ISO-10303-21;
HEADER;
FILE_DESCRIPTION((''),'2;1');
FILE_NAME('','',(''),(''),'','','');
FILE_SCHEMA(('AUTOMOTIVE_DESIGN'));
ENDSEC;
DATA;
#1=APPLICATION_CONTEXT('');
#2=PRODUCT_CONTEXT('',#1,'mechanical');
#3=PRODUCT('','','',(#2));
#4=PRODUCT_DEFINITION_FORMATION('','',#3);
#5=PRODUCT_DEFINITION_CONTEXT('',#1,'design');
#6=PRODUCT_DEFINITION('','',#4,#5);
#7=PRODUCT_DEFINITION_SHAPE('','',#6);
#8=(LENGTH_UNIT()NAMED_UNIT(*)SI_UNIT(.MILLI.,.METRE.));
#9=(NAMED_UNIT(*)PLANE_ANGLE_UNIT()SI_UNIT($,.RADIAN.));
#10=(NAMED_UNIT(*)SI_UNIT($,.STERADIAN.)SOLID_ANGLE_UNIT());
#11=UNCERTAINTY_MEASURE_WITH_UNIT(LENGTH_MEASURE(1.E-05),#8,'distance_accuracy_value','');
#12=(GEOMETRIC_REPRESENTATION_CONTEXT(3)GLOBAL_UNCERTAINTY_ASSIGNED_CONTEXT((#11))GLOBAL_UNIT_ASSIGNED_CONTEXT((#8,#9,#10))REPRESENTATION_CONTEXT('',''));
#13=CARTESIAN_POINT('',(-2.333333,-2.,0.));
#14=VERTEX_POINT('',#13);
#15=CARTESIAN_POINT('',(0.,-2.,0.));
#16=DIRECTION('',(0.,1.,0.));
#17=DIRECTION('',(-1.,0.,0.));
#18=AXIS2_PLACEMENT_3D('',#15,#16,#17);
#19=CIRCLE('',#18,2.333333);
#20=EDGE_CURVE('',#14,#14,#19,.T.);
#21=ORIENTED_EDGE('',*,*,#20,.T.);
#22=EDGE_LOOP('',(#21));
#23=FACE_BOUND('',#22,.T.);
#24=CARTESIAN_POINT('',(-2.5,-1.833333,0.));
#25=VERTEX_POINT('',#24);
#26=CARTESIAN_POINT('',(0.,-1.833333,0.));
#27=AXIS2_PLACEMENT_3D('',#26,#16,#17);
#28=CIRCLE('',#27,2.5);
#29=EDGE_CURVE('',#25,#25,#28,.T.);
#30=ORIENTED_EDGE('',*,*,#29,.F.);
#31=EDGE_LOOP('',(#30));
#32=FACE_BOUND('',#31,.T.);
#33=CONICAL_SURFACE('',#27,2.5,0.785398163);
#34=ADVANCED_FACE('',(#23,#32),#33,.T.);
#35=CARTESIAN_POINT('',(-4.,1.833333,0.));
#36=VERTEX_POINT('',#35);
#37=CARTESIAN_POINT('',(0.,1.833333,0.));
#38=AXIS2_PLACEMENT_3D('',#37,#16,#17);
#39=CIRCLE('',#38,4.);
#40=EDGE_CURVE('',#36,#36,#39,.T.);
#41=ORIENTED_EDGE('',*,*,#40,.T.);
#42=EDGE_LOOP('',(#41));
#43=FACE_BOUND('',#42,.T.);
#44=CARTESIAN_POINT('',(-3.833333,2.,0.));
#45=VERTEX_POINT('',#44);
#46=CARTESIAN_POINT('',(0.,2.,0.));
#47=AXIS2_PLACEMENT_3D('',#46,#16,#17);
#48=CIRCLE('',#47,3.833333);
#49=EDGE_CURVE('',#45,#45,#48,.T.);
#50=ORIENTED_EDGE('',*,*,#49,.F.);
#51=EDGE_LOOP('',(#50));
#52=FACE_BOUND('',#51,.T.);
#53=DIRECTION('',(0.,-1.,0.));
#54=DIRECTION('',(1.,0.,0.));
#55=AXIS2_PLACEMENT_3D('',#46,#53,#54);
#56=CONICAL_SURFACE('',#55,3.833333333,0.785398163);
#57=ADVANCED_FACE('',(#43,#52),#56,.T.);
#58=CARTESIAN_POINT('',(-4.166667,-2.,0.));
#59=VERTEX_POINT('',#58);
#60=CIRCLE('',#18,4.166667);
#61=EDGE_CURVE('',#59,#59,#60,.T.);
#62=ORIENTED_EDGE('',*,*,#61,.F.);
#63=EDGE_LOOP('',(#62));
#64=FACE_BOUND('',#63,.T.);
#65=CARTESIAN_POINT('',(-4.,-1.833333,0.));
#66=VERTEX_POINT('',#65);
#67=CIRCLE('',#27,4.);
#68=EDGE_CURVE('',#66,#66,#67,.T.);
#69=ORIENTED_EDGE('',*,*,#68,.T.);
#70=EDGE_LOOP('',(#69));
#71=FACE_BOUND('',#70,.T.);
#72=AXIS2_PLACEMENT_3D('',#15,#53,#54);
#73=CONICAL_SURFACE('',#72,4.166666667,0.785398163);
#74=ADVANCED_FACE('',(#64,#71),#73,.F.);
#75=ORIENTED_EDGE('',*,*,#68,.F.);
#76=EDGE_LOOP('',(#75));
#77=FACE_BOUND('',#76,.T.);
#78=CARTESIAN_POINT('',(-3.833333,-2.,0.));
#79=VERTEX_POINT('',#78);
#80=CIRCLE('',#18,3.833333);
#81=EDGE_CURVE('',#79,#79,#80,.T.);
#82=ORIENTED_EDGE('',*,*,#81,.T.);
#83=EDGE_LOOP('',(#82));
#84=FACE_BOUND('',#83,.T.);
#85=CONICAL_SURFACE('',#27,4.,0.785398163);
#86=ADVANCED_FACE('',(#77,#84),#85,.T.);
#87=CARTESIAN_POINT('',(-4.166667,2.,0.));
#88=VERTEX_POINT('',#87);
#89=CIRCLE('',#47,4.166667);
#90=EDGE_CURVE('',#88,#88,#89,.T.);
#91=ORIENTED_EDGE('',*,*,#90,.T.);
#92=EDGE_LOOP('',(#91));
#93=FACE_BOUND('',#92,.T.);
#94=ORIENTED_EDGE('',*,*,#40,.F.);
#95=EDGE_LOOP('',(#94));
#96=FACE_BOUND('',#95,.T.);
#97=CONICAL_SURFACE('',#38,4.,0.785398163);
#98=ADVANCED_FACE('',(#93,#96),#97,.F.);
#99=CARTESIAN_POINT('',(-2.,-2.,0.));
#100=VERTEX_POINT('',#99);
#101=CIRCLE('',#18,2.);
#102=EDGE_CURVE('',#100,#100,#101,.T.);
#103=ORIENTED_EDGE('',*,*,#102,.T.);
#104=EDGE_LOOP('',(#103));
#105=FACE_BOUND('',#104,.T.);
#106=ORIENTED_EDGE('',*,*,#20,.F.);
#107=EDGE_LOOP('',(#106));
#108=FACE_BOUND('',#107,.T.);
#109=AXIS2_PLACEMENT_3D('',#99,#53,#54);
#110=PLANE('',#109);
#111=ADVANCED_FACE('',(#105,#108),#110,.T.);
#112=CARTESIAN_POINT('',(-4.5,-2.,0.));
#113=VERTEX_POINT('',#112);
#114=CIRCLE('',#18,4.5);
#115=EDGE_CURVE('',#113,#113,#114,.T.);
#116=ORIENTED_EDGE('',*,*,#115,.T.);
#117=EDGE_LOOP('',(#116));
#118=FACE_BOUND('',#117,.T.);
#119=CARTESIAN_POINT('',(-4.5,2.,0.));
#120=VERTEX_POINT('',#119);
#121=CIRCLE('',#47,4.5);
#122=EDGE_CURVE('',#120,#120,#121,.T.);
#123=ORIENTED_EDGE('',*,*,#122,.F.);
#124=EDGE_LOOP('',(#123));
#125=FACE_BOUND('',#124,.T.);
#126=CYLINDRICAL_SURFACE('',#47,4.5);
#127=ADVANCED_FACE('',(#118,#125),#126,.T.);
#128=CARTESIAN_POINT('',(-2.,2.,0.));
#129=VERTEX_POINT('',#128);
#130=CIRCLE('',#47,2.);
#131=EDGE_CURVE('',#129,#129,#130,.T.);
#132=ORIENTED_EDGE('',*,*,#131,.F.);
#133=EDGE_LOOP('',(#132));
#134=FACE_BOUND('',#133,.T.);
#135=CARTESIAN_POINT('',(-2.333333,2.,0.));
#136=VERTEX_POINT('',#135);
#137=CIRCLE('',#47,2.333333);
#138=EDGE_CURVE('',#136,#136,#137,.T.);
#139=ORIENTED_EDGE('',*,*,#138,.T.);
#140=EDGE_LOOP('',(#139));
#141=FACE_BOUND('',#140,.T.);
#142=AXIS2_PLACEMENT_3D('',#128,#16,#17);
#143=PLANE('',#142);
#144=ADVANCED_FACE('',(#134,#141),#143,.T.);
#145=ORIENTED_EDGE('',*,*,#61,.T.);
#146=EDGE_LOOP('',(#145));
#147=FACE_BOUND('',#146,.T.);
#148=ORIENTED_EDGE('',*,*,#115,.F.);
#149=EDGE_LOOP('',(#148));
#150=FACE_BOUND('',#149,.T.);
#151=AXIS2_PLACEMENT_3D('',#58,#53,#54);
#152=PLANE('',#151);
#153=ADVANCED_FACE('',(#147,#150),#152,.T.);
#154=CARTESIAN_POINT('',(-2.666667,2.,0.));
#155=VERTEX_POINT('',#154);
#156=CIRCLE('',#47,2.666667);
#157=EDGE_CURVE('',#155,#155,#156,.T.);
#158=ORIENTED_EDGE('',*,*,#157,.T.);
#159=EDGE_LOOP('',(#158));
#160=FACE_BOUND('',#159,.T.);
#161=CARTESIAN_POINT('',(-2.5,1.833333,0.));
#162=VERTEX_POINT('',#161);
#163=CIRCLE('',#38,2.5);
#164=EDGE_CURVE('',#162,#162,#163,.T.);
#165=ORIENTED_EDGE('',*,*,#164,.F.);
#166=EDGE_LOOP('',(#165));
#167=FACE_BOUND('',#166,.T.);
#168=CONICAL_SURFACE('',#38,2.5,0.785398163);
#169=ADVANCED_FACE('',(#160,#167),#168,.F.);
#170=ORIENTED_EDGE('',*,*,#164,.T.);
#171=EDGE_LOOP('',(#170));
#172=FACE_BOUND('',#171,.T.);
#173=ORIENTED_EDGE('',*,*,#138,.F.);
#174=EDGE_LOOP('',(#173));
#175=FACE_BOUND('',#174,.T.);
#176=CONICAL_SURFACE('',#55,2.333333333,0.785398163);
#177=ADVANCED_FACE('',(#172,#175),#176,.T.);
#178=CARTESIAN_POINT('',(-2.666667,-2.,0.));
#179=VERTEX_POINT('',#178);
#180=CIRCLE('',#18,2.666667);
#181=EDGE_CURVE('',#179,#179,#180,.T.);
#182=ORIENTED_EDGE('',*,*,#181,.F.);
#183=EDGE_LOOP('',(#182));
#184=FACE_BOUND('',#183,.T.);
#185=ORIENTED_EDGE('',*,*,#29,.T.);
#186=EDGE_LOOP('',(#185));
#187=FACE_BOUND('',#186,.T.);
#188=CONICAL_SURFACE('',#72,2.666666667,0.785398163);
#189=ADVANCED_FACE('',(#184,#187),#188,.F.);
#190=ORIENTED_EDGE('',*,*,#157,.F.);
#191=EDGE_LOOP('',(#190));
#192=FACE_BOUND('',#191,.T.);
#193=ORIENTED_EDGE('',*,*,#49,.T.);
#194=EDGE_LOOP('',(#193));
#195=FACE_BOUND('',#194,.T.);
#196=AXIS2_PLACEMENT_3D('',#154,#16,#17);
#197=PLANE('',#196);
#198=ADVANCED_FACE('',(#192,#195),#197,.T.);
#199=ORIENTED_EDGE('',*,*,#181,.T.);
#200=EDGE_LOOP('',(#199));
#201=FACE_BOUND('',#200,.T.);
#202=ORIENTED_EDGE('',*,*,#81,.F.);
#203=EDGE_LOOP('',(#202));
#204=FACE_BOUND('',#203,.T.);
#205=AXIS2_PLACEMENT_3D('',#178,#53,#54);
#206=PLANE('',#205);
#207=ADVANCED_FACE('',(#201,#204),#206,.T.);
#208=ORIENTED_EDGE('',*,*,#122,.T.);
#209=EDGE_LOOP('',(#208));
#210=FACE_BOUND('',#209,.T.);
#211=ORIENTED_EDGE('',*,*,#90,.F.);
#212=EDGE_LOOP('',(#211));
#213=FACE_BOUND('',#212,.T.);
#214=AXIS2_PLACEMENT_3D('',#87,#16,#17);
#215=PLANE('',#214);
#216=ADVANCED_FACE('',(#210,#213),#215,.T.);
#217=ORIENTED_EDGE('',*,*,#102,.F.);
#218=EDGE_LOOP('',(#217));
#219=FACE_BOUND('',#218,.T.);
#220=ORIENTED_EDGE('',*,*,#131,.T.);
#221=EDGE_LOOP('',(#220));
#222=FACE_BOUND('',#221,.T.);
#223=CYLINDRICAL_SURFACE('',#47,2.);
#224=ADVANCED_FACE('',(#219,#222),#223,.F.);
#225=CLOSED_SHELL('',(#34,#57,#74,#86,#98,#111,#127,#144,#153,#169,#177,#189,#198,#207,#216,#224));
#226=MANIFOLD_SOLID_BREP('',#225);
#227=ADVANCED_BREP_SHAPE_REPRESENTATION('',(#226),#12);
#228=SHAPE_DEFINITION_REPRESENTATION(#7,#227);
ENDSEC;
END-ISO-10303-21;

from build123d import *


with BuildPart() as part:
    # Sketch1 → Revolve1 (revolve)
    with BuildSketch(Plane.XY):
        Polygon((-2, 2), (-2.333333333, 2), (-2.5, 1.833333333), (-2.666666667, 2), (-3.833333333, 2), (-4, 1.833333333), (-4.166666667, 2), (-4.5, 2), (-4.5, -2), (-4.166666667, -2), (-4, -1.833333333), (-3.833333333, -2), (-2.666666667, -2), (-2.5, -1.833333333), (-2.333333333, -2), (-2, -2), align=None)
    revolve(axis=Axis((0, 2, 0), (0, -1, 0)))


solid = part.part
